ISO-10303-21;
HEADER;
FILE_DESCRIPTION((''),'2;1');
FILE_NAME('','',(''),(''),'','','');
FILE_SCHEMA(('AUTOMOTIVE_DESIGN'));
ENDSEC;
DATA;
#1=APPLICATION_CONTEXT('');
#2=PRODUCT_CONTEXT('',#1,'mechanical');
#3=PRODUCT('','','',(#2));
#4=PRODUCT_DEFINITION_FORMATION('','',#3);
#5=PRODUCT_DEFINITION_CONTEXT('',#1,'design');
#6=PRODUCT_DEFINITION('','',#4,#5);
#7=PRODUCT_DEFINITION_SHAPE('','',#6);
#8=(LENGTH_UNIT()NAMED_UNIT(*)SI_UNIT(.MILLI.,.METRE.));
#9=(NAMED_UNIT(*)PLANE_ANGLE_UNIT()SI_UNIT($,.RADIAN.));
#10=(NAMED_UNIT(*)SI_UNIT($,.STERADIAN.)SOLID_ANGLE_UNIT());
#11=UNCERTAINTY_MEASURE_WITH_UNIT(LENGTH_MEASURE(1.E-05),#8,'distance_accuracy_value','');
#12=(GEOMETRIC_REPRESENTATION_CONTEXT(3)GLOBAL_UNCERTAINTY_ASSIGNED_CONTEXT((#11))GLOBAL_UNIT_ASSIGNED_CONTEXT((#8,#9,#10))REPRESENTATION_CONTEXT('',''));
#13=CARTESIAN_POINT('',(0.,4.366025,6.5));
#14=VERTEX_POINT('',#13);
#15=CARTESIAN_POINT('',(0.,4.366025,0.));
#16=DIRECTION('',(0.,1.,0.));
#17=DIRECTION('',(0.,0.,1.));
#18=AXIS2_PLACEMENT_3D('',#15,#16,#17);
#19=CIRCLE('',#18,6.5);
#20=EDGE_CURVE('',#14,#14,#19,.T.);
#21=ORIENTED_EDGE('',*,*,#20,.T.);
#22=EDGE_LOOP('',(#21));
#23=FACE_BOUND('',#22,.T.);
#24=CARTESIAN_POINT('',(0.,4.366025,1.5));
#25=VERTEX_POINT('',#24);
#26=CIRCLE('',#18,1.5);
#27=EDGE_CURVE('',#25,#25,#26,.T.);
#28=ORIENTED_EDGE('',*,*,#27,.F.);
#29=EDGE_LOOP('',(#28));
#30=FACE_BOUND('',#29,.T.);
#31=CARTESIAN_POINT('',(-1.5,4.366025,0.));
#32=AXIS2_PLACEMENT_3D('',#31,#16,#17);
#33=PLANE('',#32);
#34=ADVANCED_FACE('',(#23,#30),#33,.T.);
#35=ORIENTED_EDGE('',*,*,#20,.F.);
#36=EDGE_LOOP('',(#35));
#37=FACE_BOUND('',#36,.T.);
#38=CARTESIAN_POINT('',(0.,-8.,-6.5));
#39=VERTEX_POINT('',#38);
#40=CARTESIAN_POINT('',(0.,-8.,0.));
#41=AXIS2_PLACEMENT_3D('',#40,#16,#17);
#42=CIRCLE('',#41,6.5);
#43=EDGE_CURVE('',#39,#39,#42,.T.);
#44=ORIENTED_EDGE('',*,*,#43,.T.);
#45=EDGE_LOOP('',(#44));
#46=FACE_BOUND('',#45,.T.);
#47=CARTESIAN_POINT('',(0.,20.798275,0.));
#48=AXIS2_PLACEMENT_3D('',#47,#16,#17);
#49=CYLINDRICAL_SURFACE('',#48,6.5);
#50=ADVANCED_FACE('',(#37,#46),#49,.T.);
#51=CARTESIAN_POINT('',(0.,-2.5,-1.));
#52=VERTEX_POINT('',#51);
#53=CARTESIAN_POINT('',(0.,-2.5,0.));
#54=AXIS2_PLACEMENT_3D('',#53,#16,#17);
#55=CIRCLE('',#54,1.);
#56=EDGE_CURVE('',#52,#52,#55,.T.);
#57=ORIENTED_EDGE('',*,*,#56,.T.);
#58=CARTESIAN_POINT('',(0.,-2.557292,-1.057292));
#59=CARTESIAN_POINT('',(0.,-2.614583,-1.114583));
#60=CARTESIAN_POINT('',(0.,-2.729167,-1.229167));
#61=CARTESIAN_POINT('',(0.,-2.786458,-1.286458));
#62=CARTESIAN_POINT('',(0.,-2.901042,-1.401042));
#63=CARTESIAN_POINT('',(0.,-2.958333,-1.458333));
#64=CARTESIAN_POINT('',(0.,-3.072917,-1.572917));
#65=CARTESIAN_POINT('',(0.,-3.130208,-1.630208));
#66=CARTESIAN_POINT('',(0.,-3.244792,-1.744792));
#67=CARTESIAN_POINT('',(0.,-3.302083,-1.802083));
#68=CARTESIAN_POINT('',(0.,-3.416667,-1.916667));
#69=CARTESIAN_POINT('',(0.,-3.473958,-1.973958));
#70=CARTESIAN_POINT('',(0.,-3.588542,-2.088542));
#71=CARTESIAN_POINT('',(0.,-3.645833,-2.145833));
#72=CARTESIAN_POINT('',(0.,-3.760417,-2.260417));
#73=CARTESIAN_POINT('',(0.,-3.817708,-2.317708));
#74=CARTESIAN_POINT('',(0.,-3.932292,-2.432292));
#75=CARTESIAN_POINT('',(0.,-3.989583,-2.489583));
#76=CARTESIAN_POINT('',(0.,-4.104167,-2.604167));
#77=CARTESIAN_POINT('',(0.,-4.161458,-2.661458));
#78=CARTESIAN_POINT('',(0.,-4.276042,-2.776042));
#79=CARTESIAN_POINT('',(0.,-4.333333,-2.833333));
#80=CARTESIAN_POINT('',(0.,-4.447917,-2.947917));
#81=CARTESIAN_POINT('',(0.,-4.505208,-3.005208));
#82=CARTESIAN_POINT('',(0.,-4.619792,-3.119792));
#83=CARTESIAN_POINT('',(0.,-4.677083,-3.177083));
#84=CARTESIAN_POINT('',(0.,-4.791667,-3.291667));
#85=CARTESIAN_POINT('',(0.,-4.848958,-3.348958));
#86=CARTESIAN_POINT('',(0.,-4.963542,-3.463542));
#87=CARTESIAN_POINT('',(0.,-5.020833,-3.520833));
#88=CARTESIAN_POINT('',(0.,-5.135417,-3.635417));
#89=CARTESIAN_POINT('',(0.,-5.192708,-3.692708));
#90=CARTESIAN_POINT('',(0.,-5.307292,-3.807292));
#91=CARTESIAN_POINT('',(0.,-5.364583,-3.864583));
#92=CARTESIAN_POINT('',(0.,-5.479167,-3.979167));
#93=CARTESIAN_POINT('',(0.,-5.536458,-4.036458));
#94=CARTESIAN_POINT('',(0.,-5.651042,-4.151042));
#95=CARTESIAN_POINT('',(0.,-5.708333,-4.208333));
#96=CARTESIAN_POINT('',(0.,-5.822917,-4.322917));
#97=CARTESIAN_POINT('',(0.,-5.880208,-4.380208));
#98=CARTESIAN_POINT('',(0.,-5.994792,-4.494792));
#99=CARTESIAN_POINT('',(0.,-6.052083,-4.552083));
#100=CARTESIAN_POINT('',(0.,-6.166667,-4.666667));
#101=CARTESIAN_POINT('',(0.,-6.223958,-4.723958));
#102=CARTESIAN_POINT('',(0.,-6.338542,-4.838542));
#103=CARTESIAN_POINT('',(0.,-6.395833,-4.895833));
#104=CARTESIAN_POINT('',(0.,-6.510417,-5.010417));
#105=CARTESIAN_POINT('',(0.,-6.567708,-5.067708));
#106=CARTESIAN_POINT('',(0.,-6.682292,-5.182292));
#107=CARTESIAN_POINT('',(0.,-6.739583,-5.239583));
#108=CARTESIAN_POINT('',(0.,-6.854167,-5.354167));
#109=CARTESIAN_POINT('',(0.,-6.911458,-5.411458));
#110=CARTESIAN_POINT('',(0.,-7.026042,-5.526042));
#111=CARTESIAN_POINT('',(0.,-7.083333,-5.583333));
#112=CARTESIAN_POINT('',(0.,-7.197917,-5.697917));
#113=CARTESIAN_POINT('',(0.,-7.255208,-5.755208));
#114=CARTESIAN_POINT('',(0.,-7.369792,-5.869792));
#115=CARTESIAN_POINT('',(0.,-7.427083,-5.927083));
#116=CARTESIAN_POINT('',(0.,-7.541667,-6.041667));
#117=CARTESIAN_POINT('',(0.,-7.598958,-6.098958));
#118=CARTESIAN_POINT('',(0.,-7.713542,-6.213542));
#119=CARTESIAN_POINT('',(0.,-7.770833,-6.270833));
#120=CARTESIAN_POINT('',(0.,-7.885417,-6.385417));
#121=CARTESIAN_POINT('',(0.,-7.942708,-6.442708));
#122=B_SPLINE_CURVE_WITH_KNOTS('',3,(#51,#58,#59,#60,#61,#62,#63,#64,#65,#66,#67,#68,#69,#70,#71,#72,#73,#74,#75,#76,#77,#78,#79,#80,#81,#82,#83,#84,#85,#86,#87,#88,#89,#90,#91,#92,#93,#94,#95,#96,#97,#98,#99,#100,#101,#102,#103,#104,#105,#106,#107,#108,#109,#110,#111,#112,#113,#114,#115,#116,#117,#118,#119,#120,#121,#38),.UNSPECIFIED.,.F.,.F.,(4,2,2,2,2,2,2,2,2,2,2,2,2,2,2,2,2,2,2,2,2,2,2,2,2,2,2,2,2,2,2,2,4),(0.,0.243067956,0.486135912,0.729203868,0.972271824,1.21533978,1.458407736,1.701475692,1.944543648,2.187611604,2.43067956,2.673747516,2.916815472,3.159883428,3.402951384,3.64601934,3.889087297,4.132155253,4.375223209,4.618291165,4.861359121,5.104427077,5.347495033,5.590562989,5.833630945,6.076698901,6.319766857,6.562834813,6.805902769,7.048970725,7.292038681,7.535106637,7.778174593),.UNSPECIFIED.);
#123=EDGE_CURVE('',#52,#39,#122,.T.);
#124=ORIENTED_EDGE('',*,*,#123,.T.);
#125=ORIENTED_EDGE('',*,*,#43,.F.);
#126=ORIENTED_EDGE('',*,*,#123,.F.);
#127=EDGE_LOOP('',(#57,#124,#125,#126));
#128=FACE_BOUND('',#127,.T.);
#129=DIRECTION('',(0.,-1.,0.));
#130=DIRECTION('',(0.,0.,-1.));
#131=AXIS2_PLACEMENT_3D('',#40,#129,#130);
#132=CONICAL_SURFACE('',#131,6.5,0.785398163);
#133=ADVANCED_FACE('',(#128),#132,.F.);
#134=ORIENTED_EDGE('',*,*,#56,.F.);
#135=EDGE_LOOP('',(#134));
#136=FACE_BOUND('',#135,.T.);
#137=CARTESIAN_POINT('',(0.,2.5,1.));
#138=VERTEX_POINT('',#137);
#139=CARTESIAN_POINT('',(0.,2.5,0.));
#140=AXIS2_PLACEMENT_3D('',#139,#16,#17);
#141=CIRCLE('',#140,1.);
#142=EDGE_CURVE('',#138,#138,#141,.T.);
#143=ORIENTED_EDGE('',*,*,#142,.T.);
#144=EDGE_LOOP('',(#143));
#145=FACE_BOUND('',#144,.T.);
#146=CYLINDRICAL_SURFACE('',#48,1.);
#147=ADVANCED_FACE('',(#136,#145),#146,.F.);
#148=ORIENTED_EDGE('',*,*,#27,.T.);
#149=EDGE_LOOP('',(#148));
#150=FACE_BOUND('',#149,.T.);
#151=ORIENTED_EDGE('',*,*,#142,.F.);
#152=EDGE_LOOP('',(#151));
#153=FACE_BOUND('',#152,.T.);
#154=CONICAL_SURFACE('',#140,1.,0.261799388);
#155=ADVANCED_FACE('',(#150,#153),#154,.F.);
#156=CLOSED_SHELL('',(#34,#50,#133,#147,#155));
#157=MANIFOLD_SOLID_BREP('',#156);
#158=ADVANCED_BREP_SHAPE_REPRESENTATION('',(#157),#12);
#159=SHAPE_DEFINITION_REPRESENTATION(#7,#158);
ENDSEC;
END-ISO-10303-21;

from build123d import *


with BuildPart() as part:
    # Sketch1 → Revolve1 (revolve)
    with BuildSketch(Plane.XY, mode=Mode.PRIVATE) as revolve1_sk:
        Polygon((-1, 2.5), (-1, -2.5), (-6.5, -8), (-6.5, 4.366025404), (-1.5, 4.366025404), align=None)
    revolve(revolve1_sk.sketch.rotate(Axis((0, 20.798274686, 0), (0, -1, 0)), 270), axis=Axis((0, 20.798274686, 0), (0, -1, 0)))


solid = part.part
